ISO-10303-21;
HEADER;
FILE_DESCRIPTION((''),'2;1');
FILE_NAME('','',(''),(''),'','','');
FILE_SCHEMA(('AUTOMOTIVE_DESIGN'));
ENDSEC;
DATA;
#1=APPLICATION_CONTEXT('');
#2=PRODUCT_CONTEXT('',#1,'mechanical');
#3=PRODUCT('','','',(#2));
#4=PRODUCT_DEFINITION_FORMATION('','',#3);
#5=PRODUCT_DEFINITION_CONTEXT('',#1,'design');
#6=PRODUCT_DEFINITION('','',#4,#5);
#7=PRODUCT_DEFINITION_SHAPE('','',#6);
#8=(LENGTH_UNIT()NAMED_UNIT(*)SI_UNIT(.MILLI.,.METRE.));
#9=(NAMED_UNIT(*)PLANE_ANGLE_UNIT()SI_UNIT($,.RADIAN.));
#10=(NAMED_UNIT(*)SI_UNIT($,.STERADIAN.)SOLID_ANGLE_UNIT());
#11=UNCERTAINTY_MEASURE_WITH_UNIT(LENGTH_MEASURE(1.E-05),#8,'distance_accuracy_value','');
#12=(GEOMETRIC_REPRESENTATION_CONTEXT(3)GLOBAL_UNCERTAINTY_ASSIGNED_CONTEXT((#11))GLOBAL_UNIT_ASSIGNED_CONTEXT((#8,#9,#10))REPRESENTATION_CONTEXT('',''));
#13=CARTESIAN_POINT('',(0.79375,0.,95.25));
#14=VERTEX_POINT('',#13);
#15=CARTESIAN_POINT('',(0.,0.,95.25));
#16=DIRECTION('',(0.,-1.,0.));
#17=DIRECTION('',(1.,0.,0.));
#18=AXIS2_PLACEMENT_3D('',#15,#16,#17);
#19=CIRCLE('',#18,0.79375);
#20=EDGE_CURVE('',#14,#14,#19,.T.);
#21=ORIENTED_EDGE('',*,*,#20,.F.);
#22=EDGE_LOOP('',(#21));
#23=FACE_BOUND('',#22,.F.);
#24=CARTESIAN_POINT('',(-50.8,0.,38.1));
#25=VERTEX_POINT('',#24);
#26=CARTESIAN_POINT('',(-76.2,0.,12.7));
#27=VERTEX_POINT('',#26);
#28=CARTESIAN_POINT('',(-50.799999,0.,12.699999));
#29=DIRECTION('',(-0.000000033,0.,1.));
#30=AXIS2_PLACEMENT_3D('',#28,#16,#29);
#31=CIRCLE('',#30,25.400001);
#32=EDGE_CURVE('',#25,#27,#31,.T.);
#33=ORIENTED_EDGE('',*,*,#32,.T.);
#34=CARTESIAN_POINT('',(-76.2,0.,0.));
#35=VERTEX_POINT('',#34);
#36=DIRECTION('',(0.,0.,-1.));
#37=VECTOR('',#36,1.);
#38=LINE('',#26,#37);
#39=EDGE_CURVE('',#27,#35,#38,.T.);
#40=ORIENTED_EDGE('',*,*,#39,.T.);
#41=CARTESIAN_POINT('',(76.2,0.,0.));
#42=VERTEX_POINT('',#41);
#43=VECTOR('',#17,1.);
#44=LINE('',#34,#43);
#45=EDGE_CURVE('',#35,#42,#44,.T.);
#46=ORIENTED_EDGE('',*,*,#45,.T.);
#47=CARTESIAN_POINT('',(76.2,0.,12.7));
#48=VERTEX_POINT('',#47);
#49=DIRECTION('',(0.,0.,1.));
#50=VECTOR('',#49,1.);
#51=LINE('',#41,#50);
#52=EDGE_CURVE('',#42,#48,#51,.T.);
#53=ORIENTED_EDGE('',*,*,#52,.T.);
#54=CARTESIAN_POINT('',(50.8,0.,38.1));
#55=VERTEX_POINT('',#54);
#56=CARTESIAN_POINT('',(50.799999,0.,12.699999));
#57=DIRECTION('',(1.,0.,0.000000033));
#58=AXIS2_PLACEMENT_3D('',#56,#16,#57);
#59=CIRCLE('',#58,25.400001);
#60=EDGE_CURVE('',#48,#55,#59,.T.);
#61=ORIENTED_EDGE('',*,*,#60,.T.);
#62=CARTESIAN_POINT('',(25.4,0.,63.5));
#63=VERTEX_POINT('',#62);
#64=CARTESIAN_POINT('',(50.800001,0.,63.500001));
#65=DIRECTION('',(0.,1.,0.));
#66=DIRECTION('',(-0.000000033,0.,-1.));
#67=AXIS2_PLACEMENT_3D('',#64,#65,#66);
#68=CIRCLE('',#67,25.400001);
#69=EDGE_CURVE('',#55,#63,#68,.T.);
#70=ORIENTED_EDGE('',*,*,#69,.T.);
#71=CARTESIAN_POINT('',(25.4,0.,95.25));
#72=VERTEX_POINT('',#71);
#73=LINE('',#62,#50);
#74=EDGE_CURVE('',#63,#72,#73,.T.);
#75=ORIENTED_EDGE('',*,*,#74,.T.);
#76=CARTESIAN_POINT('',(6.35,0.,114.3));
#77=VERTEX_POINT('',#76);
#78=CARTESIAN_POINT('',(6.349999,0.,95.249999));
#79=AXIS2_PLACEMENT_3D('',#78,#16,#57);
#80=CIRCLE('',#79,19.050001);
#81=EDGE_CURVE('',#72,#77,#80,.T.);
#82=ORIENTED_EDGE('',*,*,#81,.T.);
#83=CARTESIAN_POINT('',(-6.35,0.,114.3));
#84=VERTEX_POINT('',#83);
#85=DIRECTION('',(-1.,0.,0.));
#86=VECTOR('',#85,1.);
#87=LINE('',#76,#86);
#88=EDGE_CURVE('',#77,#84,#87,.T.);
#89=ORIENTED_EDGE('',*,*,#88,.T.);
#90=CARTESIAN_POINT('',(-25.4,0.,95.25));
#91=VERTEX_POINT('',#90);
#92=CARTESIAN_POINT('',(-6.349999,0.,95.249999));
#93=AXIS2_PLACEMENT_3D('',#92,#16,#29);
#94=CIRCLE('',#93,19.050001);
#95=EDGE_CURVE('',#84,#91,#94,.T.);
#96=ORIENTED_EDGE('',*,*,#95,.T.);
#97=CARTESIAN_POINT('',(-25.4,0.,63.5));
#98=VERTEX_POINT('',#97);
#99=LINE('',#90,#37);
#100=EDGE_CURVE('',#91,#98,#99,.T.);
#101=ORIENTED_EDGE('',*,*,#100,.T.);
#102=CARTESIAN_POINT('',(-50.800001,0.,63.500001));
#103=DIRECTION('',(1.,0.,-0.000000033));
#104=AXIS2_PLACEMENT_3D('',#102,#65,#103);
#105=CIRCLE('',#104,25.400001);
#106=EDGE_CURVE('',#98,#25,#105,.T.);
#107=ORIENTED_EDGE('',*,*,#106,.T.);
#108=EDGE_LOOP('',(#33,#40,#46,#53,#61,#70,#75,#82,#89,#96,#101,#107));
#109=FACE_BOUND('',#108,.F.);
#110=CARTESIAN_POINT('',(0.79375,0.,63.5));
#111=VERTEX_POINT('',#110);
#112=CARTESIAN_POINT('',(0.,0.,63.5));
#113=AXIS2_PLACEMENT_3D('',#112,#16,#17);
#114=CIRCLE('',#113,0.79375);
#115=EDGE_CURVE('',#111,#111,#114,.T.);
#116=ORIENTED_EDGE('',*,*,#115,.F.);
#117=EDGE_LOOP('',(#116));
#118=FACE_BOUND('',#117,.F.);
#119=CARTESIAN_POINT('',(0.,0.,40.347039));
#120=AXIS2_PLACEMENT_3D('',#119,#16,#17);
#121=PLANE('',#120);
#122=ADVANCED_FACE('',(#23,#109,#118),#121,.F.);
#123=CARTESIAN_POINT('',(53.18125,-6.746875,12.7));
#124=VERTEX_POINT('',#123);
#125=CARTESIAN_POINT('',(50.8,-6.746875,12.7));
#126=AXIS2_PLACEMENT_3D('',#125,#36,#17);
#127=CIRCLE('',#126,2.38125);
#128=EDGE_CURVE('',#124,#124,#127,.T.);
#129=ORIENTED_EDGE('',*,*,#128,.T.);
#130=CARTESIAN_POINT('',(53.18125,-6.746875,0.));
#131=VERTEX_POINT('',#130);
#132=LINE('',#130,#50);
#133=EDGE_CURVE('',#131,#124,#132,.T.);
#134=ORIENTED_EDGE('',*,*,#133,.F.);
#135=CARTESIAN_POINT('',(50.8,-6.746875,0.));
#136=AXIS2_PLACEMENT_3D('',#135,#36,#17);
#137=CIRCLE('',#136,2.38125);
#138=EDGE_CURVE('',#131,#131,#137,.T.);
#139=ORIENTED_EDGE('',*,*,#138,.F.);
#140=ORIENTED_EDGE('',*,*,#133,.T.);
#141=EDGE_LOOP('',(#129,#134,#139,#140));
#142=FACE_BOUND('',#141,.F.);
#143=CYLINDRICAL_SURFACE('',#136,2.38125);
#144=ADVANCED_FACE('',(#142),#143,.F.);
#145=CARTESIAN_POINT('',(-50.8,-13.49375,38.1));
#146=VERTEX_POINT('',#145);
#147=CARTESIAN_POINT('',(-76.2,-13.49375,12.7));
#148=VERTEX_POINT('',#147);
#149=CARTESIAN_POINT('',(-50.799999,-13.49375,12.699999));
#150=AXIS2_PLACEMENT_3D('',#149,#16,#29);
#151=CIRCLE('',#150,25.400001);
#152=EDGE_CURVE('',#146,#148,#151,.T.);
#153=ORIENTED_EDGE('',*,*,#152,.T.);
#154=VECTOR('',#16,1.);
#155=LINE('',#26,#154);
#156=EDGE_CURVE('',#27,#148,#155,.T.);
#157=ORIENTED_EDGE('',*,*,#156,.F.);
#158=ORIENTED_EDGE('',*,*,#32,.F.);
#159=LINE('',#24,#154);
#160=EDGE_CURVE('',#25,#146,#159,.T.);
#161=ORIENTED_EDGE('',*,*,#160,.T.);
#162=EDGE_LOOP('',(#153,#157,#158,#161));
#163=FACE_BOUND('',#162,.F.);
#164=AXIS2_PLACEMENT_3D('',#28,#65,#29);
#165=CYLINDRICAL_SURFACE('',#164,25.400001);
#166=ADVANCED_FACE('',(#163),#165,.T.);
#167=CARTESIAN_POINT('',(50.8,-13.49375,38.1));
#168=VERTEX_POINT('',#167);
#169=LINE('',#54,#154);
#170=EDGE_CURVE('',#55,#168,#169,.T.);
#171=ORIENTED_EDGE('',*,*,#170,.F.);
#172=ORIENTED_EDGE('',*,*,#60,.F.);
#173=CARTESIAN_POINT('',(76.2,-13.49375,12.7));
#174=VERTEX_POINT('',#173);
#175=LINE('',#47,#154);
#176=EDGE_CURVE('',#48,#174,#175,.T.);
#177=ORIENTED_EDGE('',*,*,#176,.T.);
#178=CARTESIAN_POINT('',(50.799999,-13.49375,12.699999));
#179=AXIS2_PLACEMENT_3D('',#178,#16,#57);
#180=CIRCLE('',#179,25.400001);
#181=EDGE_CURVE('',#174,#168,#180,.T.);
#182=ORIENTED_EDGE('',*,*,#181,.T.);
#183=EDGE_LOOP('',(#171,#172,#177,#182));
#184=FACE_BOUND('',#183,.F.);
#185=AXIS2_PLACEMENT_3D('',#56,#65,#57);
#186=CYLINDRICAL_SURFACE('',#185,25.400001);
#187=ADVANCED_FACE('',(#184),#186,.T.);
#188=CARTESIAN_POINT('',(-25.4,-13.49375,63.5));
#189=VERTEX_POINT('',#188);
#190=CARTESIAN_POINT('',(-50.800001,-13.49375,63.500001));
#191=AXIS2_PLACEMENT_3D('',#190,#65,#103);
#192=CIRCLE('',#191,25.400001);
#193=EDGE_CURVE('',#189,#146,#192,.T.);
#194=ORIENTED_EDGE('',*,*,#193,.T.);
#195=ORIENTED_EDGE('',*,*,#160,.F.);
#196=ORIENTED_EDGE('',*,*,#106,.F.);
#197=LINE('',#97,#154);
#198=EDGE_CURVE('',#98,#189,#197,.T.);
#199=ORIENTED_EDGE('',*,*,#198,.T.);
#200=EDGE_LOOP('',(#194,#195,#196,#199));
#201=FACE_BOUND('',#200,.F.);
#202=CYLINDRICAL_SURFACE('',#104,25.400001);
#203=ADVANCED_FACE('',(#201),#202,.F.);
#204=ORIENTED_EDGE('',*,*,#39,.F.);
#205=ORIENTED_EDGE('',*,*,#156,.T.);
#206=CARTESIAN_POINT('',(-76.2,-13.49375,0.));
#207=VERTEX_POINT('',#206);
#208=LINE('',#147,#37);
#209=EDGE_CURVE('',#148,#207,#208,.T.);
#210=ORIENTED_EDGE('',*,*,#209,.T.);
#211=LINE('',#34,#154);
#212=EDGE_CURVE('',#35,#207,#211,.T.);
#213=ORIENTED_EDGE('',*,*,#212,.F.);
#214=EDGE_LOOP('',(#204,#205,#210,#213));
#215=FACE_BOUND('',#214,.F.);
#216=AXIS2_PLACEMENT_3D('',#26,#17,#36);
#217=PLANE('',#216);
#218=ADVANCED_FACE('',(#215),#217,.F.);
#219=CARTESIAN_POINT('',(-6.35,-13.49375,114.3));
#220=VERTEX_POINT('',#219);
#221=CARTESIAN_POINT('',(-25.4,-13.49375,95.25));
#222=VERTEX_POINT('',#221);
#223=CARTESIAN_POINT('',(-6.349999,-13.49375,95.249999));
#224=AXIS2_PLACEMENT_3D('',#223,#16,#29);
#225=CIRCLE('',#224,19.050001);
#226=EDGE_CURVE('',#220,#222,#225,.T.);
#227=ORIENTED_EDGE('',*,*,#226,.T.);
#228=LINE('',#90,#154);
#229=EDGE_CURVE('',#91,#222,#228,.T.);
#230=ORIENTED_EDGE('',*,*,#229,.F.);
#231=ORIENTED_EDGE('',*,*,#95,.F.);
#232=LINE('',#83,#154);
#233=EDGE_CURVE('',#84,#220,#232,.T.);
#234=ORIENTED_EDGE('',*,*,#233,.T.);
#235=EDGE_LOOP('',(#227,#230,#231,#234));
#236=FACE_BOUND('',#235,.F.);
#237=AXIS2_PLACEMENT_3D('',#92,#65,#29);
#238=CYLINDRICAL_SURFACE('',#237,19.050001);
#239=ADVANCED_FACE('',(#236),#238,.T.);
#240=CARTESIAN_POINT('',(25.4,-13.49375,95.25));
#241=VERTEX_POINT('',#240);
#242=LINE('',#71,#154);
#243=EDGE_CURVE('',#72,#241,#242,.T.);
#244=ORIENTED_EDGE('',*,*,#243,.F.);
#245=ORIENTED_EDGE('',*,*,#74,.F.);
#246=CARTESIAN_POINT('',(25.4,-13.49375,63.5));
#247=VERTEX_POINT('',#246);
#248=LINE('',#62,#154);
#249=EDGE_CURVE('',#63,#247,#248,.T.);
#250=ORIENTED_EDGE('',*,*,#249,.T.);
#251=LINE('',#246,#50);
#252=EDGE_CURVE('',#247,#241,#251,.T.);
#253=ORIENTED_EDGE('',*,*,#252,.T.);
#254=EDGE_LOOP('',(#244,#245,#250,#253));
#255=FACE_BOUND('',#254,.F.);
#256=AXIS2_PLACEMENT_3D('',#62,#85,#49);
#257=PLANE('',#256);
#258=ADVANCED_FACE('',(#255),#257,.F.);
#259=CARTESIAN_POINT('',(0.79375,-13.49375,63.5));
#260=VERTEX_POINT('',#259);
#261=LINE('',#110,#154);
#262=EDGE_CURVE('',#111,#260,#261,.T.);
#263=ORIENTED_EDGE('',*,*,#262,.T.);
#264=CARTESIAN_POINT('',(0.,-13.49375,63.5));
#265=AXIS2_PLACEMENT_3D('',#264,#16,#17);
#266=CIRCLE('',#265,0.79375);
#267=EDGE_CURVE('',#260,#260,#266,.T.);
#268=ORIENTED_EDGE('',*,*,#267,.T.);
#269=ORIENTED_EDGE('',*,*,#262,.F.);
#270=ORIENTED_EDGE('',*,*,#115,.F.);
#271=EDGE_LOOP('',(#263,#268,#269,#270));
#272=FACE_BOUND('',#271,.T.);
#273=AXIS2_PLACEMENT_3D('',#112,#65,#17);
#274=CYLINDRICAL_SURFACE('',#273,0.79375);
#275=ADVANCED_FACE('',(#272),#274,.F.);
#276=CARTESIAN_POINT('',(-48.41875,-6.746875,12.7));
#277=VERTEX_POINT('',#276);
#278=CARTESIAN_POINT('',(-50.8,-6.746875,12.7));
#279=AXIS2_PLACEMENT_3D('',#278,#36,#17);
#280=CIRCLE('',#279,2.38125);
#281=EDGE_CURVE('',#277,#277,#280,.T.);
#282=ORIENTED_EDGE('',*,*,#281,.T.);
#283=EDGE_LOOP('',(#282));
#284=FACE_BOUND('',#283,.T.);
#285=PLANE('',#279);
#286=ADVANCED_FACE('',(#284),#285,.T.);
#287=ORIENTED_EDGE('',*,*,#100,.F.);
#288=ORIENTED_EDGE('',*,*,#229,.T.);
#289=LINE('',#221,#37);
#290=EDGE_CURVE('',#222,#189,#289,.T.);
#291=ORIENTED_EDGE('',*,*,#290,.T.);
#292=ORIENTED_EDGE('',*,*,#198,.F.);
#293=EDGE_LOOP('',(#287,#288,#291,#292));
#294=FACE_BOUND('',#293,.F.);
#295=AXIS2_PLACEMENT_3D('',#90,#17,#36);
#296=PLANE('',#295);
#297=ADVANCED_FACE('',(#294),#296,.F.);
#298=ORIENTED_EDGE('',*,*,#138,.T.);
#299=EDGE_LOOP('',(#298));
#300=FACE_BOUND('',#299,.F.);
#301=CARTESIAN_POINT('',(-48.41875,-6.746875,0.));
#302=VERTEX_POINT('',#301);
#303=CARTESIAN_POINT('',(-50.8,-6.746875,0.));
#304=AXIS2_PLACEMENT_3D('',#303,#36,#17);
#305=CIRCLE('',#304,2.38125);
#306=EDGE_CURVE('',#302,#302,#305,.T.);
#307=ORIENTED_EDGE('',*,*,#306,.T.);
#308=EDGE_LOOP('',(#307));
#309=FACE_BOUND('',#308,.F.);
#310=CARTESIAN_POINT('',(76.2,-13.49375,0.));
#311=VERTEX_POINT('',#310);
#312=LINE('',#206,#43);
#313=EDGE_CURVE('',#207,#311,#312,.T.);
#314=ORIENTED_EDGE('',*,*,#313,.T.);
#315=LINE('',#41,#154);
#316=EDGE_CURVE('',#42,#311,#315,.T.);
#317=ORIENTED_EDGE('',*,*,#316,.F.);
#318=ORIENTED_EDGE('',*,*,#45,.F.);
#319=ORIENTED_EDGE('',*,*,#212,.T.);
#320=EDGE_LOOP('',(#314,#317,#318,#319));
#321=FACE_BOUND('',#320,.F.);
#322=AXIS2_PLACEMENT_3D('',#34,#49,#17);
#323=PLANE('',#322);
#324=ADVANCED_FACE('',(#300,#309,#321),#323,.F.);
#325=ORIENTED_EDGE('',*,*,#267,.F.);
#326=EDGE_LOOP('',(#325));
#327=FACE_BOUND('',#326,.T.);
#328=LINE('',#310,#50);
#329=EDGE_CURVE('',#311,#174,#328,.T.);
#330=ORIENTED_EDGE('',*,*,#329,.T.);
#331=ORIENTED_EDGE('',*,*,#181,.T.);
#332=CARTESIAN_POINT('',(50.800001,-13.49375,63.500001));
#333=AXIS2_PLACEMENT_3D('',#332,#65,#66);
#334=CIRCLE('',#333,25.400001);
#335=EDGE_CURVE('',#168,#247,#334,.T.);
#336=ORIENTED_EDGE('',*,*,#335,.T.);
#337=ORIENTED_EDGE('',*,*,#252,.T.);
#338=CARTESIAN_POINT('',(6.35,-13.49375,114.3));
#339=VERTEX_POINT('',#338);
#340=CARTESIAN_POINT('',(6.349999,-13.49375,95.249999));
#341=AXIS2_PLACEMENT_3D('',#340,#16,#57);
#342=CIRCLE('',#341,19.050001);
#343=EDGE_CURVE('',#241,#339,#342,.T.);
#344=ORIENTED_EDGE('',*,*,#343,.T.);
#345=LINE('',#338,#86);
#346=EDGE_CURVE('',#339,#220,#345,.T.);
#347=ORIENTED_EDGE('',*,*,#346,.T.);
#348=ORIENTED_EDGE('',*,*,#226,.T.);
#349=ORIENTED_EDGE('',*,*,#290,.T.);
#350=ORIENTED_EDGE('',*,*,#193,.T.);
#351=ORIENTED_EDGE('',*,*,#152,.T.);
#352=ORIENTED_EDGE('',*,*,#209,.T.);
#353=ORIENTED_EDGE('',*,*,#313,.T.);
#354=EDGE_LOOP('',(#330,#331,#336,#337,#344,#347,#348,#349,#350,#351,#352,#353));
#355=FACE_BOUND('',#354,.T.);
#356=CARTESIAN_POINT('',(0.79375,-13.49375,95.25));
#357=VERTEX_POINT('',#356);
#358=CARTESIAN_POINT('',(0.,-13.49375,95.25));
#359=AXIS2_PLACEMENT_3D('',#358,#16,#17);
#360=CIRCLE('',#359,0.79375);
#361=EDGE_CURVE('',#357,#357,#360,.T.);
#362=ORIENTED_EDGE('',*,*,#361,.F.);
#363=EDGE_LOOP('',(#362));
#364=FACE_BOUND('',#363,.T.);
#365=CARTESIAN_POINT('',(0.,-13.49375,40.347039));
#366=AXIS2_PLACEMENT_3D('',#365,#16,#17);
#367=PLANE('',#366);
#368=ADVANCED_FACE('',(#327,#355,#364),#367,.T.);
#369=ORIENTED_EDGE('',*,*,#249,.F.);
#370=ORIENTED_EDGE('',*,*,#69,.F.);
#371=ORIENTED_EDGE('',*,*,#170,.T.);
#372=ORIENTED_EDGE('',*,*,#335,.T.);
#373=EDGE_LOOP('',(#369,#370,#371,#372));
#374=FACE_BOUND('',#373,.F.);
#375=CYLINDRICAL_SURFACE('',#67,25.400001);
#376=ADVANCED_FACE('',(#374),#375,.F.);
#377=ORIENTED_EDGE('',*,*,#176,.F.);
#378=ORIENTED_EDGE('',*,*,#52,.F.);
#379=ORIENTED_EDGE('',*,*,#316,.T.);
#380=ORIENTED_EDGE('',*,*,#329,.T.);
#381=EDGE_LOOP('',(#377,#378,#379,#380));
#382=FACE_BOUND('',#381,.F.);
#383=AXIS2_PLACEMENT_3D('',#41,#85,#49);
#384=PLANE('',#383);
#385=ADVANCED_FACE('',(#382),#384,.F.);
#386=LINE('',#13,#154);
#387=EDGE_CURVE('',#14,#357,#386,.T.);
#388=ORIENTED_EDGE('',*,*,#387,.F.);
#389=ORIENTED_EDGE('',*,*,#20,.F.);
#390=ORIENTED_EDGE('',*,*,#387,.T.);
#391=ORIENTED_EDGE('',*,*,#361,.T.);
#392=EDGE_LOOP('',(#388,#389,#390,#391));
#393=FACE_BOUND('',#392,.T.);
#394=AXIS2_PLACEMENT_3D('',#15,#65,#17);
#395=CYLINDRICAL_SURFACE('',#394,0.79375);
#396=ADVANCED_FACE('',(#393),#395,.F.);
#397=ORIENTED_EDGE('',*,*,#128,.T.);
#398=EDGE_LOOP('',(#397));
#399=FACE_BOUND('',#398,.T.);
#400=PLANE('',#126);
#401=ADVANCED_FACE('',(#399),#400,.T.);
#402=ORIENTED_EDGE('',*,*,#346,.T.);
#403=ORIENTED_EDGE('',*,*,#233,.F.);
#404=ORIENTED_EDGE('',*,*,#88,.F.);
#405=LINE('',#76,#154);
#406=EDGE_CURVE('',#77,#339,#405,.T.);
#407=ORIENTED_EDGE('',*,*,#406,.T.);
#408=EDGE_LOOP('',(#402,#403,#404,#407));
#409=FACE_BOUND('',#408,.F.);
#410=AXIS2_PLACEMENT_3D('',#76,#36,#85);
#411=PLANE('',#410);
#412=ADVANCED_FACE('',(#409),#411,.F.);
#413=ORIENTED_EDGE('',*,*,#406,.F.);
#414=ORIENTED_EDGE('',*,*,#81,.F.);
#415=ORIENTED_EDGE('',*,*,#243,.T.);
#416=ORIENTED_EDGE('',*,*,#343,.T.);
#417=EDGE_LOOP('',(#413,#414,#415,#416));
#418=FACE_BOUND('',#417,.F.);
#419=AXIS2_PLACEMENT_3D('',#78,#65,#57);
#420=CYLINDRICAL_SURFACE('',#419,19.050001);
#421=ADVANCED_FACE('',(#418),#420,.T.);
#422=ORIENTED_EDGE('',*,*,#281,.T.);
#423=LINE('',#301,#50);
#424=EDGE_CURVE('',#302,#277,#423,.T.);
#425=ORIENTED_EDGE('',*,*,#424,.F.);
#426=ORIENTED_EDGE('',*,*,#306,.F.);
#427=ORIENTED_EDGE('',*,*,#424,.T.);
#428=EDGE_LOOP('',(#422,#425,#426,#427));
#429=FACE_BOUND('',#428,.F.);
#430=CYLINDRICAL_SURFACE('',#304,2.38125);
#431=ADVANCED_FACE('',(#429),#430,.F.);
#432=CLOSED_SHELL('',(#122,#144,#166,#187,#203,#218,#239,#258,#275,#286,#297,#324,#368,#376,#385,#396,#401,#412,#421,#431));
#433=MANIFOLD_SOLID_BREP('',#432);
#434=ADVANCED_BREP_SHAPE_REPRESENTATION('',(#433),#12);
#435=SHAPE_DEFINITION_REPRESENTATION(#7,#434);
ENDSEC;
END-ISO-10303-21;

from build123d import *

# Parameters (mm, degrees)
F0_R     = 0.79375
F1_DEPTH = 13.49375
F2_R     = 2.38125
F3_DEPTH = 12.7


with BuildPart() as f1:
    # F0 (on Front) → F1 (new body)
    with BuildSketch(Plane.XZ):
        with BuildLine():
            Line((-76.2, 12.7), (-76.2, 0))
            Line((-76.2, 0), (76.2, 0))
            Line((76.2, 0), (76.2, 12.7))
            ThreePointArc((76.2, 12.7), (68.760512, 30.660512), (50.8, 38.1))
            ThreePointArc((50.8, 38.1), (32.839488, 45.539488), (25.4, 63.5))
            Line((25.4, 63.5), (25.4, 95.25))
            ThreePointArc((25.4, 95.25), (19.820384, 108.720384), (6.35, 114.3))
            Line((6.35, 114.3), (-6.35, 114.3))
            ThreePointArc((-6.35, 114.3), (-19.820384, 108.720384), (-25.4, 95.25))
            Line((-25.4, 95.25), (-25.4, 63.5))
            ThreePointArc((-25.4, 63.5), (-32.839488, 45.539488), (-50.8, 38.1))
            ThreePointArc((-50.8, 38.1), (-68.760512, 30.660512), (-76.2, 12.7))
        make_face()
        with Locations((0, 63.5)):
            Circle(F0_R, mode=Mode.SUBTRACT)
        with Locations((0, 95.25)):
            Circle(F0_R, mode=Mode.SUBTRACT)
    extrude(amount=F1_DEPTH)

    # F2 (on face) → F3 (cut)
    with BuildSketch(Plane(origin=(0, 0, 0), x_dir=(1, 0, 0), z_dir=(0, 0, -1))):
        with Locations((-50.8, 6.746875)):
            Circle(F2_R)
        with Locations((50.8, 6.746875)):
            Circle(F2_R)
    extrude(amount=-F3_DEPTH, mode=Mode.SUBTRACT)


solid = f1.part
